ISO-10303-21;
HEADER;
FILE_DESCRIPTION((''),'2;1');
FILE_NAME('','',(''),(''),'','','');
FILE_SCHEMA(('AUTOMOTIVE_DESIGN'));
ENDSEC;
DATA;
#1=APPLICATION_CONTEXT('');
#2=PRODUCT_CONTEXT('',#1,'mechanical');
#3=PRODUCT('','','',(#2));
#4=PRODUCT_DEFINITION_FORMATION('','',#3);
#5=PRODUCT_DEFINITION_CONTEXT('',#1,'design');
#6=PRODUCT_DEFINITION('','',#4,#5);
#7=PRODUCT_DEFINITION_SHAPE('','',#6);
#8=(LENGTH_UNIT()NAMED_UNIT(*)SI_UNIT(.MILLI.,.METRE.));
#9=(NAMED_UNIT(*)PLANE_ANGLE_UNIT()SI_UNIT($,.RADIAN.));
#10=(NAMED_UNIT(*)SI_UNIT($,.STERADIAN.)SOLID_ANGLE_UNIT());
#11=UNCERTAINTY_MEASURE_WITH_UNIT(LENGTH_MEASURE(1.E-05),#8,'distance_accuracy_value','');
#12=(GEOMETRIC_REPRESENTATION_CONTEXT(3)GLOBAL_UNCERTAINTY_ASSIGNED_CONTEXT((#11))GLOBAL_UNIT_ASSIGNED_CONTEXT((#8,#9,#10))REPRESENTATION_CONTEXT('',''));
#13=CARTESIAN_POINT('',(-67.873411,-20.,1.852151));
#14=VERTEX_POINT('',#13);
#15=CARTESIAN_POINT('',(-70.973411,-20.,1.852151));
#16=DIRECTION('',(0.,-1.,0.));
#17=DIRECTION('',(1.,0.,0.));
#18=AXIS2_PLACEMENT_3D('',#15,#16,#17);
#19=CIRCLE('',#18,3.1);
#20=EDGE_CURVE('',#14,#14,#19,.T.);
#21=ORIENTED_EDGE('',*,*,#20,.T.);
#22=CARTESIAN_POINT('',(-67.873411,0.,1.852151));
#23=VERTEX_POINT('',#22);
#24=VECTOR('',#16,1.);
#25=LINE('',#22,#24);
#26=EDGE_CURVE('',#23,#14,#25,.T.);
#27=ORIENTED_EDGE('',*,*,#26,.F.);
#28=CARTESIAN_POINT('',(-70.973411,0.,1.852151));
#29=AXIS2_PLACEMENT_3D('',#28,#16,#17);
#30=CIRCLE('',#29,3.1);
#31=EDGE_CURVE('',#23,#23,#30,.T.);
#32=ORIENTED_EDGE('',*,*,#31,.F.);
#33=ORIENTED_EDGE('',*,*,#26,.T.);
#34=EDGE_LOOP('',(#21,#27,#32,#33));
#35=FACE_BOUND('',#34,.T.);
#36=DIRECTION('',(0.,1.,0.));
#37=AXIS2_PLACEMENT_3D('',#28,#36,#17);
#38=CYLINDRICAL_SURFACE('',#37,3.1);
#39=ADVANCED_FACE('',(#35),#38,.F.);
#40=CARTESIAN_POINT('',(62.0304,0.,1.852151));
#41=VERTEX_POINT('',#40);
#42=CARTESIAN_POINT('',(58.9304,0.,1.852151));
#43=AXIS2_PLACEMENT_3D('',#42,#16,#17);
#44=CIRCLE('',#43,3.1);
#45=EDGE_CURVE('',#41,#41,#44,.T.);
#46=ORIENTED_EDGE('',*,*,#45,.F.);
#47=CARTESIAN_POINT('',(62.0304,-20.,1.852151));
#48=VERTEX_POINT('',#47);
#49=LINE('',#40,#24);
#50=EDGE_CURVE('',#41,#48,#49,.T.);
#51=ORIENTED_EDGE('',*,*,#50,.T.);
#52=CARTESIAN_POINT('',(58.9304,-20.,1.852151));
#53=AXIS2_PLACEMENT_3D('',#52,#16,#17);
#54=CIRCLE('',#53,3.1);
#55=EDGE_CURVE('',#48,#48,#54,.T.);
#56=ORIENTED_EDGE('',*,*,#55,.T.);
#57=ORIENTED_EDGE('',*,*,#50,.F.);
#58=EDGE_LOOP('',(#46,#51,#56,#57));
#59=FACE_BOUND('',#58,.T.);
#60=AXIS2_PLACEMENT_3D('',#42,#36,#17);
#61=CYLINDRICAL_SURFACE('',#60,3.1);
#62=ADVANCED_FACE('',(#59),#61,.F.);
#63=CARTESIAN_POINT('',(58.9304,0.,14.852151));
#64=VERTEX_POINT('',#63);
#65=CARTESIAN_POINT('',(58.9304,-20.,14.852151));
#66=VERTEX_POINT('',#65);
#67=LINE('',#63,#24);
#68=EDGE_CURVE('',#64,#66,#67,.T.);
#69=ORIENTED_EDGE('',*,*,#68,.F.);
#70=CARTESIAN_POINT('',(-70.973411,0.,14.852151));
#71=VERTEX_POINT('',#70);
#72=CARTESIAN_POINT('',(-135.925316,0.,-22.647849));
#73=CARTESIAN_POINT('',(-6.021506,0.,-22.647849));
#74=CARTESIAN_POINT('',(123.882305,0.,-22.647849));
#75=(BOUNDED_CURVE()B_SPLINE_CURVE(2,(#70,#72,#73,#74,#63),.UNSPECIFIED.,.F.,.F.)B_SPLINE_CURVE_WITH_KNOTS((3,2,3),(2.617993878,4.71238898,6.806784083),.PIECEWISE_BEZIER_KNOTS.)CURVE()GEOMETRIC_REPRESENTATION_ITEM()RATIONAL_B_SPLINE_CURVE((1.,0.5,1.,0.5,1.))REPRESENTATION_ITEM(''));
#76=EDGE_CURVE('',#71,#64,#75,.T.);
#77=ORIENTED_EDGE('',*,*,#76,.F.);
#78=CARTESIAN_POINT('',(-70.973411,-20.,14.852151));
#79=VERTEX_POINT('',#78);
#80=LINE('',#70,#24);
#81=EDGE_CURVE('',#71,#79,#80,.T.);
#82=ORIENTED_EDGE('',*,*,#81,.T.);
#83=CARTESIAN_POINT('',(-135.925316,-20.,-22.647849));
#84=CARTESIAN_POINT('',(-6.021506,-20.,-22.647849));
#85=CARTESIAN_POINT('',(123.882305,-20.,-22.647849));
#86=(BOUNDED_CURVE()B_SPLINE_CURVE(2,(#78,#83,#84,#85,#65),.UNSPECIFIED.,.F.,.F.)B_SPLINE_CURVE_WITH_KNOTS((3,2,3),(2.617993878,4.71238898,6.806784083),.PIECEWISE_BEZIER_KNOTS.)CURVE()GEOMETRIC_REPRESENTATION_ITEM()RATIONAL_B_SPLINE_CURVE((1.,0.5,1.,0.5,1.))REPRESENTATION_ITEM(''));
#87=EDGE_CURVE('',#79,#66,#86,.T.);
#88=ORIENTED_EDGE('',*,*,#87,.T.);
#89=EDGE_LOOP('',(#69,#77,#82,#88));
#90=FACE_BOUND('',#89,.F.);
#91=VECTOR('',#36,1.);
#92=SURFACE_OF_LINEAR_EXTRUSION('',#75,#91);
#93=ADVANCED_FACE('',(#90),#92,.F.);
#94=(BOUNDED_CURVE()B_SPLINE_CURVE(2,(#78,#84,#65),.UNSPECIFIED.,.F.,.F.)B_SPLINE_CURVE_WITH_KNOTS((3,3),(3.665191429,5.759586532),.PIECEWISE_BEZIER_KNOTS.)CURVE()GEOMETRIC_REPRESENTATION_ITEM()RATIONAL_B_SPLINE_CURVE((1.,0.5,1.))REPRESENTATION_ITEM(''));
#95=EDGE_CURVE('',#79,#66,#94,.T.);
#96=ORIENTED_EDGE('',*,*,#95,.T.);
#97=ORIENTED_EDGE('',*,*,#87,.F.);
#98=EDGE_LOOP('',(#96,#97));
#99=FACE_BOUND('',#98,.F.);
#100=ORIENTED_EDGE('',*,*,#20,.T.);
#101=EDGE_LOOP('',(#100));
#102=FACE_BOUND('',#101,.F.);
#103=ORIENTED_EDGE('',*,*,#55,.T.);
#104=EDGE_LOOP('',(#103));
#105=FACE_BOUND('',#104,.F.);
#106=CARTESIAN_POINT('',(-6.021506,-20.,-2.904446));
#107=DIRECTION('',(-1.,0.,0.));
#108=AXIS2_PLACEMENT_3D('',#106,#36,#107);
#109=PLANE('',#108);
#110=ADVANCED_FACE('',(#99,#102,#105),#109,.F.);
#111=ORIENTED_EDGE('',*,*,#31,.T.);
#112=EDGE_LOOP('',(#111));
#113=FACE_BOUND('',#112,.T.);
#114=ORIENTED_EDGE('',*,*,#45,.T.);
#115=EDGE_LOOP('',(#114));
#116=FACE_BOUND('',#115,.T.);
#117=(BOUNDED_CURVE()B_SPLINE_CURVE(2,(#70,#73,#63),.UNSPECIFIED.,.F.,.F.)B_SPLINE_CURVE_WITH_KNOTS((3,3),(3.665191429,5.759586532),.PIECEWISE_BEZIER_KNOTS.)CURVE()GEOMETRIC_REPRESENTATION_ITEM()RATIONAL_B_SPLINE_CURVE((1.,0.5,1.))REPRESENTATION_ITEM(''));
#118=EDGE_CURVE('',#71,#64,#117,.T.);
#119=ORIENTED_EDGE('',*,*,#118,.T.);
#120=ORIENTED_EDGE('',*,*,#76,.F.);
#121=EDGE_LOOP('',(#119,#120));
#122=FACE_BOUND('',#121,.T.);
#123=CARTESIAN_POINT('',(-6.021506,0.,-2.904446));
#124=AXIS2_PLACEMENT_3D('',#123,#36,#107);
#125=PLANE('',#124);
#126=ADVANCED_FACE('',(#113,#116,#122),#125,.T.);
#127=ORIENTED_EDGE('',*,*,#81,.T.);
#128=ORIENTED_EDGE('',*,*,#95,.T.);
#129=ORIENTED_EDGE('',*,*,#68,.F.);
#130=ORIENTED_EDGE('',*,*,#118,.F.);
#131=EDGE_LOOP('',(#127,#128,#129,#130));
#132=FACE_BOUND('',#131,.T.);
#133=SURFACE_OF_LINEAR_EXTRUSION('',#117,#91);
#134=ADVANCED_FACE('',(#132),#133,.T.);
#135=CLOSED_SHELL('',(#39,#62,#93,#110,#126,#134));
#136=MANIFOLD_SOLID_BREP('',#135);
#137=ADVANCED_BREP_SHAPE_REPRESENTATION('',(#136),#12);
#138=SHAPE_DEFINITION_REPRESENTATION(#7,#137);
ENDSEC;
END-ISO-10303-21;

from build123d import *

# Parameters (mm, degrees)
F0_R     = 3.1
F1_DEPTH = 20


with BuildPart() as f1:
    # F0 (on Front) → F1 (new body)
    with BuildSketch(Plane.XZ):
        with BuildLine():
            add(Edge.make_bspline(
                [(-70.9734109712, 14.8521506228), (-6.0215056874, -22.6478493772), (58.9303995964, 14.8521506228)],
                knots=[3.6651914292, 3.6651914292, 3.6651914292, 5.7595865316, 5.7595865316, 5.7595865316], degree=2, weights=[1, 0.5, 1]))
            add(Edge.make_bspline(
                [(-70.9734109712, 14.8521506228), (-135.9253162551, -22.6478493772), (-6.0215056874, -22.6478493772), (123.8823048803, -22.6478493772), (58.9303995964, 14.8521506228)],
                knots=[2.617993878, 2.617993878, 2.617993878, 4.7123889804, 4.7123889804, 6.8067840828, 6.8067840828, 6.8067840828], degree=2, weights=[1, 0.5, 1, 0.5, 1]))
        make_face()
        with Locations((-70.9734109712, 1.8521506228)):
            Circle(F0_R, mode=Mode.SUBTRACT)
        with Locations((58.9303995964, 1.8521506228)):
            Circle(F0_R, mode=Mode.SUBTRACT)
    extrude(amount=F1_DEPTH)


solid = f1.part
